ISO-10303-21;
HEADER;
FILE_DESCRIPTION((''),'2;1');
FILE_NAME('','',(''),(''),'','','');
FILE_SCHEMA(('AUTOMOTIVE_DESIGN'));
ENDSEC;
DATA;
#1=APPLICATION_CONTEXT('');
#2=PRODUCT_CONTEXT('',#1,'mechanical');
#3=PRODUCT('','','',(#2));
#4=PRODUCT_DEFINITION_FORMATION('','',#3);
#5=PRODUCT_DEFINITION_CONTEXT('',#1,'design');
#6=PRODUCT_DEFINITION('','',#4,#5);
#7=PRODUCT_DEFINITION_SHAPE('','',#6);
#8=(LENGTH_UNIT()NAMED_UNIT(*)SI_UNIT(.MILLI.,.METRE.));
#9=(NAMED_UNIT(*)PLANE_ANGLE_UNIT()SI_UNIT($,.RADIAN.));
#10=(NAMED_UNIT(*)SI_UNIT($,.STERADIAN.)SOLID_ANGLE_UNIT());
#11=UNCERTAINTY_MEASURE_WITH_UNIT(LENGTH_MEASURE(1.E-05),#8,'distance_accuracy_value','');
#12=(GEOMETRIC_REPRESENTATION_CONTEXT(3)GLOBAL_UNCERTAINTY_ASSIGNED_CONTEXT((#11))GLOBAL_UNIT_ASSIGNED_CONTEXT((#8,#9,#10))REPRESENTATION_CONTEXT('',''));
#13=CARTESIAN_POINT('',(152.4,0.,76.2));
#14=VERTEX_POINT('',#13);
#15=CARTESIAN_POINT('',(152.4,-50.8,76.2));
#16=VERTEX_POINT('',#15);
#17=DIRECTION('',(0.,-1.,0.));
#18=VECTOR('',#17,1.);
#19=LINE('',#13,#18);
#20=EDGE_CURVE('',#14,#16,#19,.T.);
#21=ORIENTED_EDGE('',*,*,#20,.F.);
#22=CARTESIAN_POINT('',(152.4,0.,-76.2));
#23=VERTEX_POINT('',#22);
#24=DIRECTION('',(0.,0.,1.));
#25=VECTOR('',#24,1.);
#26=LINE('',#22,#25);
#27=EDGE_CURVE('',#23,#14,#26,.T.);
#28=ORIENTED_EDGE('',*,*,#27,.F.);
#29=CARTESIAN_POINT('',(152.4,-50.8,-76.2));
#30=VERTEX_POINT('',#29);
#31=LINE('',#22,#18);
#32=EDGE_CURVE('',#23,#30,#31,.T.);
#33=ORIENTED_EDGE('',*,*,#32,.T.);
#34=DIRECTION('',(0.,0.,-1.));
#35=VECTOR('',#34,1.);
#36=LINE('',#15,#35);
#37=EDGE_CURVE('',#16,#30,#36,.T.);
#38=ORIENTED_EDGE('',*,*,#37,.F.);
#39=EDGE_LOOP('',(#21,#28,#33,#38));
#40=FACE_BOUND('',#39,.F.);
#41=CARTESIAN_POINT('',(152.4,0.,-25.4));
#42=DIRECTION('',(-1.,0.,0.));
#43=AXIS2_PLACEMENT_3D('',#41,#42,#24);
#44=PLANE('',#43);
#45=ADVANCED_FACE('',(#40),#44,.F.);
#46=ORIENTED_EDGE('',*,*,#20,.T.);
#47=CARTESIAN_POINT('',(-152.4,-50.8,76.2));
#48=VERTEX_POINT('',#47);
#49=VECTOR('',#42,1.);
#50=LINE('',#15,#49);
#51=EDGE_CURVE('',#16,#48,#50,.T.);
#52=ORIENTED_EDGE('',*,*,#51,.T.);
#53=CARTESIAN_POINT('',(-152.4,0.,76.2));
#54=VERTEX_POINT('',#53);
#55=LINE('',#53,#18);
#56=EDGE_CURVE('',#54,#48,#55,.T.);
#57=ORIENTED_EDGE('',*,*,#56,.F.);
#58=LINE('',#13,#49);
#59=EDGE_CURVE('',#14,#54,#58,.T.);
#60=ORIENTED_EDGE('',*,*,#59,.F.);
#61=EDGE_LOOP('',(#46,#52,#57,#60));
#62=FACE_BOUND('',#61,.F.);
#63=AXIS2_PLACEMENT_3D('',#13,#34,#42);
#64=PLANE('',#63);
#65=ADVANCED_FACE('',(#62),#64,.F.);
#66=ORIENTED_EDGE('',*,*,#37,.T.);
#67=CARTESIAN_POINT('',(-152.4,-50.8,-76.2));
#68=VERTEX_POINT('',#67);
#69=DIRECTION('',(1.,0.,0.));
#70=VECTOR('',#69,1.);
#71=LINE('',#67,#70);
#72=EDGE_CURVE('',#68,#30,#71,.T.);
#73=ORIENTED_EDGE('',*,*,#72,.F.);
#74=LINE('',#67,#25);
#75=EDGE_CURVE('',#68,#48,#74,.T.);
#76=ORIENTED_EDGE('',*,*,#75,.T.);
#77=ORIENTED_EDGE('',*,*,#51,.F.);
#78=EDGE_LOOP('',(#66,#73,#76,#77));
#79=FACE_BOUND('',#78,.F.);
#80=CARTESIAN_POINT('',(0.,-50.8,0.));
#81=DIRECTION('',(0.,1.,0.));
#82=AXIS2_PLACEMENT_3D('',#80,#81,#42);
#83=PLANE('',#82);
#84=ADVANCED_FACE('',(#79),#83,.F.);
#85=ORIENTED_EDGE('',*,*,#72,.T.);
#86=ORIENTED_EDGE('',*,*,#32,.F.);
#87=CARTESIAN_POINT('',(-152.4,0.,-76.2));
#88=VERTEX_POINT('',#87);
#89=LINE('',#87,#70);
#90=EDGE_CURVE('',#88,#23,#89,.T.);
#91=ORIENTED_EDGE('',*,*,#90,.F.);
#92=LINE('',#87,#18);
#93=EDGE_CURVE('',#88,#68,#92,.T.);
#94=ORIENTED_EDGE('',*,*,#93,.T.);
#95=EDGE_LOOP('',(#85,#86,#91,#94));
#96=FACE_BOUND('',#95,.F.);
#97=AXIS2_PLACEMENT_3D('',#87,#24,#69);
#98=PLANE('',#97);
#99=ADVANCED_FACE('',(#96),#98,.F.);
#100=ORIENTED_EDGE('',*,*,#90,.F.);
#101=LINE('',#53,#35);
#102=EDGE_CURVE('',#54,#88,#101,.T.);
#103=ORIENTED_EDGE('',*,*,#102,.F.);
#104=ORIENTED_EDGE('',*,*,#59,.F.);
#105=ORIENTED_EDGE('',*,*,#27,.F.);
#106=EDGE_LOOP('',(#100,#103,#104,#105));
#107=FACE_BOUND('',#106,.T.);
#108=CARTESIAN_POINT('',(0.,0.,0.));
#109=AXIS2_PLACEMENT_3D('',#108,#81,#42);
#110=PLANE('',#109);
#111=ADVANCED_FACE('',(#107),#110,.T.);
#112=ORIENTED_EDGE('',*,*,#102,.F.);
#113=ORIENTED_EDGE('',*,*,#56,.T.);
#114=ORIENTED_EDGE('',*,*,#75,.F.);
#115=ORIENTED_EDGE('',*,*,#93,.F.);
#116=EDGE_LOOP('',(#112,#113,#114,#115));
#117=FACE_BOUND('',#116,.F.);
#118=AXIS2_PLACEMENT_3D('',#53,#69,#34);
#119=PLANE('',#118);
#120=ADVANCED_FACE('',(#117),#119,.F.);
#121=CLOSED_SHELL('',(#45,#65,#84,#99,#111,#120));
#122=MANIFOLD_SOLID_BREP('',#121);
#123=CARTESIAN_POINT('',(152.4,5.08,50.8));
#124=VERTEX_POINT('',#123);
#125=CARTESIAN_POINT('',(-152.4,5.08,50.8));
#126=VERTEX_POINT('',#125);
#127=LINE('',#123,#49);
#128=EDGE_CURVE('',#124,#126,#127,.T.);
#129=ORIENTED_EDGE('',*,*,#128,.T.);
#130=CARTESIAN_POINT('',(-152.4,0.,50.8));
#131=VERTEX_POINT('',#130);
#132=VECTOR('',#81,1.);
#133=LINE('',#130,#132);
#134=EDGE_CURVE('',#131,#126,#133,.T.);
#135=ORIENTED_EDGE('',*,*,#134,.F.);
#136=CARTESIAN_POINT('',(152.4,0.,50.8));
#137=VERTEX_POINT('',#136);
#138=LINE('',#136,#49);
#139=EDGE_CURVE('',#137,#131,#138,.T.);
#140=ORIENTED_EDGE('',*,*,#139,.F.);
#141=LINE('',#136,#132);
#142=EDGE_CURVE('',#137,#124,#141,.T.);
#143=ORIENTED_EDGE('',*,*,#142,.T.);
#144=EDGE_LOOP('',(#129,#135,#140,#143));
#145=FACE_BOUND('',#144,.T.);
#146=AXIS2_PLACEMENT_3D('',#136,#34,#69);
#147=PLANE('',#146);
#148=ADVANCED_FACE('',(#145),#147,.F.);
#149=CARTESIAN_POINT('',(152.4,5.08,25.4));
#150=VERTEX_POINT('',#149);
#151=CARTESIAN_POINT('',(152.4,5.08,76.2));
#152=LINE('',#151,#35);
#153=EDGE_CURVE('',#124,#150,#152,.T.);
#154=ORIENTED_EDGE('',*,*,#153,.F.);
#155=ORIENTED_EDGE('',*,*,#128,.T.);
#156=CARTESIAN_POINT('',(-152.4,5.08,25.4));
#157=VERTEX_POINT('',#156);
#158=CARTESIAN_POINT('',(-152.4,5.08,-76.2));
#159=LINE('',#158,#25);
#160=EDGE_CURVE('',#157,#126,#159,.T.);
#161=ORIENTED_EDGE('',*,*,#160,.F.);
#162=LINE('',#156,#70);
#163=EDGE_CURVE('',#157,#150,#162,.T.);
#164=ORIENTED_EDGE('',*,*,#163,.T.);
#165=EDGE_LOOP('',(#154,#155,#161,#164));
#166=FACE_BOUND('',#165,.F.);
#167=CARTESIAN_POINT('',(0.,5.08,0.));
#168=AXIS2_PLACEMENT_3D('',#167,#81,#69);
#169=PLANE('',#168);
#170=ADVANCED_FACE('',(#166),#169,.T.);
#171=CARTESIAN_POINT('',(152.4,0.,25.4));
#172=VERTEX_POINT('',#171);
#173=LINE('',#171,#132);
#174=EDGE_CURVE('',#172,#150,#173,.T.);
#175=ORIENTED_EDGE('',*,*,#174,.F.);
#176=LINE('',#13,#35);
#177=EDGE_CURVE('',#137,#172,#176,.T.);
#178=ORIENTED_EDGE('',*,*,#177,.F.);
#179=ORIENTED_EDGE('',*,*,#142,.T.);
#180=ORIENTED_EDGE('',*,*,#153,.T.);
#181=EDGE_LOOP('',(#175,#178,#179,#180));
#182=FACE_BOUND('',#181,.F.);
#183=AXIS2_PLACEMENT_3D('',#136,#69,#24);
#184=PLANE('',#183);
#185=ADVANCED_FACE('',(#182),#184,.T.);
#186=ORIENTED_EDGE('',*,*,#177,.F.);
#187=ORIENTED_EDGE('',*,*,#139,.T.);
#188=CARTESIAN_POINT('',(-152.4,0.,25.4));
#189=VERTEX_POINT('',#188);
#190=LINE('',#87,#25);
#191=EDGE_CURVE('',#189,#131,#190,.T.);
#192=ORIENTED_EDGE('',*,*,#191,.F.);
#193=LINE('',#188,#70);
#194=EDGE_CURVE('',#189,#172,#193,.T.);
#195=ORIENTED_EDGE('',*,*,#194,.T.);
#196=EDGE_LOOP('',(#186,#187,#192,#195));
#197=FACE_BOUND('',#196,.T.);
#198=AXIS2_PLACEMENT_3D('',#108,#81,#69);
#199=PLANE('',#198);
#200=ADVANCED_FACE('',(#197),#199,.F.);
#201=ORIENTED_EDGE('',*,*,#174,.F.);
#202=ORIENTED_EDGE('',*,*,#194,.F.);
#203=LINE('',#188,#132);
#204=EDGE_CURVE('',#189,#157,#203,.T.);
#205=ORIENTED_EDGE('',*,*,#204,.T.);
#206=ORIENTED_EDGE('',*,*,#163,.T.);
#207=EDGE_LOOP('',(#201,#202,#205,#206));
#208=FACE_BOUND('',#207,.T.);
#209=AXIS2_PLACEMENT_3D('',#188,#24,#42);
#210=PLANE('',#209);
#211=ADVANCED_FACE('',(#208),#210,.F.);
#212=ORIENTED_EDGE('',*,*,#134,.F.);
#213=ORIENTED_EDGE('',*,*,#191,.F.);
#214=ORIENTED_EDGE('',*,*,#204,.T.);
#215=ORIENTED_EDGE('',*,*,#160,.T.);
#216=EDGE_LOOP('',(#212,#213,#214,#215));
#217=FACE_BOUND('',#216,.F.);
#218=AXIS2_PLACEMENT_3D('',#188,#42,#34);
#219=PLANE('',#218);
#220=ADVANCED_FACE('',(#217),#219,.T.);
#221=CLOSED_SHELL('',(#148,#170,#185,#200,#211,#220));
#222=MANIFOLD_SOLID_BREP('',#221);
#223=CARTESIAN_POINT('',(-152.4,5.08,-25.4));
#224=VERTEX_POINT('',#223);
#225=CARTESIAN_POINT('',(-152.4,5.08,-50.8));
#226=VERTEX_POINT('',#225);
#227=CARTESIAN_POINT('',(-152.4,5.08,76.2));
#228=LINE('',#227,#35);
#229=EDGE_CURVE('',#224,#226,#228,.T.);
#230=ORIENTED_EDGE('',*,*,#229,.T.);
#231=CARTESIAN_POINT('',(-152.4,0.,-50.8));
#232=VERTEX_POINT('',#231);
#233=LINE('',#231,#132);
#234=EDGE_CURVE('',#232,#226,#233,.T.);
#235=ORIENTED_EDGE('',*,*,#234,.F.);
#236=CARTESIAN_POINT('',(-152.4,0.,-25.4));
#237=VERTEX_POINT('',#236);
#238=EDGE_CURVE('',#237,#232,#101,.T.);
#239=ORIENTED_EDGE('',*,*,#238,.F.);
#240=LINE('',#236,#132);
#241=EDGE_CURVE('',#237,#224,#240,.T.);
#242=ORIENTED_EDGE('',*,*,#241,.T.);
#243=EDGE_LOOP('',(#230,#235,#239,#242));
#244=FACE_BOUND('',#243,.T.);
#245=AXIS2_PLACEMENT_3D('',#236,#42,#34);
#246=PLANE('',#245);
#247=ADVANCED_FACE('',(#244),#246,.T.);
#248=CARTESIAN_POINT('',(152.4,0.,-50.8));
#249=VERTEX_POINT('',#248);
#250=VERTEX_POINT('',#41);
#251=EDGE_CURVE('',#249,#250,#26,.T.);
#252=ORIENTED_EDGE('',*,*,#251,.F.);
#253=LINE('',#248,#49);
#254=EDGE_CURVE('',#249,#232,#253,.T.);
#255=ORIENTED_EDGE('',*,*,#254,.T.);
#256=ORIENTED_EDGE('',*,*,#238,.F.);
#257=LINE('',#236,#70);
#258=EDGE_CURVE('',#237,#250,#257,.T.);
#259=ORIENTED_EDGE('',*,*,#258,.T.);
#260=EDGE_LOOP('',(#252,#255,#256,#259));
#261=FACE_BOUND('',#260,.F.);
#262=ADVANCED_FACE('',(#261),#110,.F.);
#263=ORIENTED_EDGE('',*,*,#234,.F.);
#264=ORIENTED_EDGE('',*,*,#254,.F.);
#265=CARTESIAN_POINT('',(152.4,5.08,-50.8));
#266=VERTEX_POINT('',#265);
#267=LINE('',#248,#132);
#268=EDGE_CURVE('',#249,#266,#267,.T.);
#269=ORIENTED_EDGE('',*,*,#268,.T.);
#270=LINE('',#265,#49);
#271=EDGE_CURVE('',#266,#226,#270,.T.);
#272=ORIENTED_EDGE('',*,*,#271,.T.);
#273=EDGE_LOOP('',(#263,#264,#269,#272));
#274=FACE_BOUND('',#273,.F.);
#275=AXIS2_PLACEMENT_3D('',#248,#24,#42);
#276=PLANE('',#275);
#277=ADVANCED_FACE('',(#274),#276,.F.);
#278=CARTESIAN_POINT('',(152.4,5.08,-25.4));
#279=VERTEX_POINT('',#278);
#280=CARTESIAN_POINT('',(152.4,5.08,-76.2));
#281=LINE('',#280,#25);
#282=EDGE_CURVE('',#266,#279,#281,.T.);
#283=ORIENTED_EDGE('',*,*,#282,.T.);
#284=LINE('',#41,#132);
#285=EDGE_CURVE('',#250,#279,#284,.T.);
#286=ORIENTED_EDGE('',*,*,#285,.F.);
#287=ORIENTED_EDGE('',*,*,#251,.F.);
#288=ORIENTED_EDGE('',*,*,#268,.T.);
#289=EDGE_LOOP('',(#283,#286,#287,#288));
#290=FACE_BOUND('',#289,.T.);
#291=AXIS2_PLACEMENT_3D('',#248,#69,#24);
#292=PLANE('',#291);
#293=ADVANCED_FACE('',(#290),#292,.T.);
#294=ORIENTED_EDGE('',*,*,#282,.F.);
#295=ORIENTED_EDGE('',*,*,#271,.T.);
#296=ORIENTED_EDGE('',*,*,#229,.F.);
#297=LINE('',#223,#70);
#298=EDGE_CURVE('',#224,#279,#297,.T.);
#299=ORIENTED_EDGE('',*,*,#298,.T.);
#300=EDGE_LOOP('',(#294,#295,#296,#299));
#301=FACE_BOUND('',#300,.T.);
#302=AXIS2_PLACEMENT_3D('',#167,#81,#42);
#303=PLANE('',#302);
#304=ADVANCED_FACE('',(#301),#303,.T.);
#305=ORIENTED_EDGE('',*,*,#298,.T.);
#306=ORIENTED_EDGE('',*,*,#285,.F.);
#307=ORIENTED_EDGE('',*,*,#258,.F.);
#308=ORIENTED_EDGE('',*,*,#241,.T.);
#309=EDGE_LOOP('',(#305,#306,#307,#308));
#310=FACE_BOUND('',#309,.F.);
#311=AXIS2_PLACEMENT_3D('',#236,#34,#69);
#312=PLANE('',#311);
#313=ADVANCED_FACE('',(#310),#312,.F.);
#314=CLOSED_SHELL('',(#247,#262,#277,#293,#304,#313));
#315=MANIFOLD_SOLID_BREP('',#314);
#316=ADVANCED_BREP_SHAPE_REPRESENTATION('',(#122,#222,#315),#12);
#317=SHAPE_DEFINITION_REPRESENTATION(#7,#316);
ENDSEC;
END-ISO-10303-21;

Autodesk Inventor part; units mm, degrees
ref_plane "YZ Plane" through (0, 0, 0) normal (1, 0, 0) x (0, 1, 0)
ref_plane "XZ Plane" through (0, 0, 0) normal (0, 1, 0) x (-1, 0, 0)
sketch "Substrate and Ribbon" plane through (0, 0, 0) normal (0, 1, 0) x (-1, 0, 0)
  line L0 (-152.4, 76.2) -> (152.4, 76.2)
  line L1 (152.4, 76.2) -> (152.4, -76.2)
  line L2 (152.4, -76.2) -> (-152.4, -76.2)
  line L3 (-152.4, -76.2) -> (-152.4, 76.2)
  line L4 (-152.4, 76.2) -> (152.4, -76.2) construction
  line L5 (152.4, 76.2) -> (-152.4, -76.2) construction
  line L6 (152.4, -25.4) -> (-152.4, -25.4)
  line L7 (-152.4, -25.4) -> (-152.4, -50.8)
  line L8 (-152.4, -50.8) -> (152.4, -50.8)
  line L9 (152.4, -50.8) -> (152.4, -25.4)
  line L10 (152.4, 0) -> (-152.4, 0) construction
  point P0 (0, 0)
  dimension "d0" = 304.8
  dimension "d1" = 152.4
  dimension "d2" = 25.4
  dimension "d10" = 25.4
extrude "Graphene Ribbon" add sketch "Substrate and Ribbon" along normal blind 5.08 contours L6 L1 L8 L3
extrude "Substrate" add sketch "Substrate and Ribbon" against normal blind 50.8 separate body
ref_plane "Mirror Plane" through (-152.4, 0, 0) normal (0, 0, -1) x (1, 0, 0)
mirror "Coupled Ribbon" about plane through (-152.4, 0, 0) normal (0, 0, -1) of "Graphene Ribbon" bodies 1
properties part number "Coupler-3D"
